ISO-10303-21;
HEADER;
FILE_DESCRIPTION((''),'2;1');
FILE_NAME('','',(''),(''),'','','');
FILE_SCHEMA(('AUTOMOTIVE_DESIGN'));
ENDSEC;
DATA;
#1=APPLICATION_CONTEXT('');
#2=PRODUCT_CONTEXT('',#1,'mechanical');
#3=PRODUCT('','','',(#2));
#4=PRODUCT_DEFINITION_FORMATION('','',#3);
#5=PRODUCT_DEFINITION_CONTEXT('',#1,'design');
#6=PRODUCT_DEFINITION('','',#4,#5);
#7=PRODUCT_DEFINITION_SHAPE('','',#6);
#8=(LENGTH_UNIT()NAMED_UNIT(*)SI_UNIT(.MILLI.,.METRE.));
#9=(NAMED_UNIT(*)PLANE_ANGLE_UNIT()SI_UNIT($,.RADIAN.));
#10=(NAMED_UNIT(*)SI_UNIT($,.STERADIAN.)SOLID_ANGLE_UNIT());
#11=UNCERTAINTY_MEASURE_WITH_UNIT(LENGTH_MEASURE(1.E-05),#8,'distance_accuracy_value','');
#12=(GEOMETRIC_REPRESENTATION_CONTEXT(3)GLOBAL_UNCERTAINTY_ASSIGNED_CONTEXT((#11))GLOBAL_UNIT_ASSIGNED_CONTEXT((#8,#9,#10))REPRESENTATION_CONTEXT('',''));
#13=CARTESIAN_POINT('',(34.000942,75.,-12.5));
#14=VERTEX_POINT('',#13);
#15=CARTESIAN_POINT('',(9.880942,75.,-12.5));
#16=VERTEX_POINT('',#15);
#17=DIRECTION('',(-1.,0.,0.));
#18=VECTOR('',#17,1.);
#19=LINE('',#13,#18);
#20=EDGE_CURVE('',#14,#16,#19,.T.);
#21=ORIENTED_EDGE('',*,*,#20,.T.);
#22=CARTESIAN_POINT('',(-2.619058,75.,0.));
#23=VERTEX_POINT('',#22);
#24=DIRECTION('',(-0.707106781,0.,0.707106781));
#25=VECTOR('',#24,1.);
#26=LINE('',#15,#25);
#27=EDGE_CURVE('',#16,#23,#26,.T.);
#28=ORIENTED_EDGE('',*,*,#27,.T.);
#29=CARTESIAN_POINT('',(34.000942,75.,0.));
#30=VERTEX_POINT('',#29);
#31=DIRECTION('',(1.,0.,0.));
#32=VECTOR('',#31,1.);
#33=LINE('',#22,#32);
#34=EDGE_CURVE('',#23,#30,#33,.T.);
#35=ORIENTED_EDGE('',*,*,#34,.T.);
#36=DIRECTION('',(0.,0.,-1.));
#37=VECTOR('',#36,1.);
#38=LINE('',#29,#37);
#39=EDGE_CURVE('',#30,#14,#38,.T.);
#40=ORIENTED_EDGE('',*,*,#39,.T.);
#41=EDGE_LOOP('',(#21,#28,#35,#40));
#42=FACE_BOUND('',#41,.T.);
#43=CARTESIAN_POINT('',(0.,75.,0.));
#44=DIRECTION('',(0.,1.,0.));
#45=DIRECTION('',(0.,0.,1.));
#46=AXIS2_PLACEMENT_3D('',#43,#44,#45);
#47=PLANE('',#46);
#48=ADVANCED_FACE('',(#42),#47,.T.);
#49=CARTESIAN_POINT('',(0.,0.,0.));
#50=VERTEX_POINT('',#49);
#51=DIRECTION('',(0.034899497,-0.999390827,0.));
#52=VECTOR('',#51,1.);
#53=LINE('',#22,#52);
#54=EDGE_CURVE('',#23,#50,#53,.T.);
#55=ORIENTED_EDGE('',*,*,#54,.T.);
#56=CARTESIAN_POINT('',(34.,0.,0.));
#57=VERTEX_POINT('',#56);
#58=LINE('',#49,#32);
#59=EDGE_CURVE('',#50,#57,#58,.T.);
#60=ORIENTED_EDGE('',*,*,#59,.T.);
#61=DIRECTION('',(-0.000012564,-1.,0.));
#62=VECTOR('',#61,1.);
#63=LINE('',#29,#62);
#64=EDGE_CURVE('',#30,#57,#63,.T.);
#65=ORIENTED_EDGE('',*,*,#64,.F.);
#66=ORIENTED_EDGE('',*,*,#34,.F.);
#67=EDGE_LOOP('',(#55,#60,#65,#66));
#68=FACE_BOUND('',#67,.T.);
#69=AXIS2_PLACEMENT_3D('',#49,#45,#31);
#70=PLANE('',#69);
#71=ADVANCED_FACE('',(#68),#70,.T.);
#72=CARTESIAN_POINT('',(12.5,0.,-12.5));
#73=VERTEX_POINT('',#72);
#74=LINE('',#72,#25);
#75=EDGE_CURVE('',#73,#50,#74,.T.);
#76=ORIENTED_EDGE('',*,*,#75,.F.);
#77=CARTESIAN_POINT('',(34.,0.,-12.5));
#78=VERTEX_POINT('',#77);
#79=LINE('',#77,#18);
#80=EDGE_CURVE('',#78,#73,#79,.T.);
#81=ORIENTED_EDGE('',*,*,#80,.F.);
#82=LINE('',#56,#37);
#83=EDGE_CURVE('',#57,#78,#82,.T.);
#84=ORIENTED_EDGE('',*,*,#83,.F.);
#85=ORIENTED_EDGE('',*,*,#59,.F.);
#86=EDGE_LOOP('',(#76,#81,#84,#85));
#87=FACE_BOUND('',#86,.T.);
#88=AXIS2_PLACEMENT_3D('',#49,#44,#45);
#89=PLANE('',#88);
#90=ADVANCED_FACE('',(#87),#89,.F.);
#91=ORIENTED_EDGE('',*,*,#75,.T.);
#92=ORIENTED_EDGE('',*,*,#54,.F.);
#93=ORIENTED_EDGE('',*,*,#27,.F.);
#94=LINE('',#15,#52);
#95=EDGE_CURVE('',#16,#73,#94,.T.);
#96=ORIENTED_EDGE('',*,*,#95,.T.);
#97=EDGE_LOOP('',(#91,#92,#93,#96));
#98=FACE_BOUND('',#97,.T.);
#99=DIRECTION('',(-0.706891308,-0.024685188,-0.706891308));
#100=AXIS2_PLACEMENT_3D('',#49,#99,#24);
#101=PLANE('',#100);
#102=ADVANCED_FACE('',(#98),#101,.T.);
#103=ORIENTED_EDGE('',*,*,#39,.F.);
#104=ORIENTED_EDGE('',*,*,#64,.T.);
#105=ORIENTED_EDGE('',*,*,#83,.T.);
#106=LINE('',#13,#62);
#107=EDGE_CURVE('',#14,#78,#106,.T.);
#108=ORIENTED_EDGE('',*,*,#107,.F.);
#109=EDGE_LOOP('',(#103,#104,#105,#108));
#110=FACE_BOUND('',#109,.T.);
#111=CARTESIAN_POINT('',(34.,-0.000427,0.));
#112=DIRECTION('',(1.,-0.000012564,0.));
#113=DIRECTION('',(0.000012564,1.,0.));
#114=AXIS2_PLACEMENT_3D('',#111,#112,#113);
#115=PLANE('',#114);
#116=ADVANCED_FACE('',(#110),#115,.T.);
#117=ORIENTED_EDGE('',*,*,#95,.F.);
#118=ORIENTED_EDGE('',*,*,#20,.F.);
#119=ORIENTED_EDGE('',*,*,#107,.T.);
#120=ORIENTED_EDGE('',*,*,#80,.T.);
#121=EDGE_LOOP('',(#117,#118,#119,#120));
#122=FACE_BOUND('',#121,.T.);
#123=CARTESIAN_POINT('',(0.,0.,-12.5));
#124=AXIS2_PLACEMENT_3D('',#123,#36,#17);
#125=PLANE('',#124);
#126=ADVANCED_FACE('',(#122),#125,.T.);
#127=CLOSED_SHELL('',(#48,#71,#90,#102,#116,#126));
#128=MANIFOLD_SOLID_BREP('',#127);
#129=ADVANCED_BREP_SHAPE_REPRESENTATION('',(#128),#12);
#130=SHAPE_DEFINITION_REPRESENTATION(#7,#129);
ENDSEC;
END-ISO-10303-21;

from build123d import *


with BuildPart() as part:
    # Croquis7 → Recubrir3 section 0
    with BuildSketch(Plane(origin=(0, 75, 0), x_dir=(1, 0, 0), z_dir=(0, 1, 0))):
        Polygon((34.000942288, 0), (34.000942288, 12.5), (9.880942288, 12.5), (-2.619057712, 0), align=None)
    # Croquis5 → Recubrir3 section 1
    with BuildSketch(Plane(origin=(0, 0, 0), x_dir=(1, 0, 0), z_dir=(0, 1, 0))):
        Polygon((0, 0), (34, 0), (34, 12.5), (12.5, 12.5), align=None)
    loft()


solid = part.part
